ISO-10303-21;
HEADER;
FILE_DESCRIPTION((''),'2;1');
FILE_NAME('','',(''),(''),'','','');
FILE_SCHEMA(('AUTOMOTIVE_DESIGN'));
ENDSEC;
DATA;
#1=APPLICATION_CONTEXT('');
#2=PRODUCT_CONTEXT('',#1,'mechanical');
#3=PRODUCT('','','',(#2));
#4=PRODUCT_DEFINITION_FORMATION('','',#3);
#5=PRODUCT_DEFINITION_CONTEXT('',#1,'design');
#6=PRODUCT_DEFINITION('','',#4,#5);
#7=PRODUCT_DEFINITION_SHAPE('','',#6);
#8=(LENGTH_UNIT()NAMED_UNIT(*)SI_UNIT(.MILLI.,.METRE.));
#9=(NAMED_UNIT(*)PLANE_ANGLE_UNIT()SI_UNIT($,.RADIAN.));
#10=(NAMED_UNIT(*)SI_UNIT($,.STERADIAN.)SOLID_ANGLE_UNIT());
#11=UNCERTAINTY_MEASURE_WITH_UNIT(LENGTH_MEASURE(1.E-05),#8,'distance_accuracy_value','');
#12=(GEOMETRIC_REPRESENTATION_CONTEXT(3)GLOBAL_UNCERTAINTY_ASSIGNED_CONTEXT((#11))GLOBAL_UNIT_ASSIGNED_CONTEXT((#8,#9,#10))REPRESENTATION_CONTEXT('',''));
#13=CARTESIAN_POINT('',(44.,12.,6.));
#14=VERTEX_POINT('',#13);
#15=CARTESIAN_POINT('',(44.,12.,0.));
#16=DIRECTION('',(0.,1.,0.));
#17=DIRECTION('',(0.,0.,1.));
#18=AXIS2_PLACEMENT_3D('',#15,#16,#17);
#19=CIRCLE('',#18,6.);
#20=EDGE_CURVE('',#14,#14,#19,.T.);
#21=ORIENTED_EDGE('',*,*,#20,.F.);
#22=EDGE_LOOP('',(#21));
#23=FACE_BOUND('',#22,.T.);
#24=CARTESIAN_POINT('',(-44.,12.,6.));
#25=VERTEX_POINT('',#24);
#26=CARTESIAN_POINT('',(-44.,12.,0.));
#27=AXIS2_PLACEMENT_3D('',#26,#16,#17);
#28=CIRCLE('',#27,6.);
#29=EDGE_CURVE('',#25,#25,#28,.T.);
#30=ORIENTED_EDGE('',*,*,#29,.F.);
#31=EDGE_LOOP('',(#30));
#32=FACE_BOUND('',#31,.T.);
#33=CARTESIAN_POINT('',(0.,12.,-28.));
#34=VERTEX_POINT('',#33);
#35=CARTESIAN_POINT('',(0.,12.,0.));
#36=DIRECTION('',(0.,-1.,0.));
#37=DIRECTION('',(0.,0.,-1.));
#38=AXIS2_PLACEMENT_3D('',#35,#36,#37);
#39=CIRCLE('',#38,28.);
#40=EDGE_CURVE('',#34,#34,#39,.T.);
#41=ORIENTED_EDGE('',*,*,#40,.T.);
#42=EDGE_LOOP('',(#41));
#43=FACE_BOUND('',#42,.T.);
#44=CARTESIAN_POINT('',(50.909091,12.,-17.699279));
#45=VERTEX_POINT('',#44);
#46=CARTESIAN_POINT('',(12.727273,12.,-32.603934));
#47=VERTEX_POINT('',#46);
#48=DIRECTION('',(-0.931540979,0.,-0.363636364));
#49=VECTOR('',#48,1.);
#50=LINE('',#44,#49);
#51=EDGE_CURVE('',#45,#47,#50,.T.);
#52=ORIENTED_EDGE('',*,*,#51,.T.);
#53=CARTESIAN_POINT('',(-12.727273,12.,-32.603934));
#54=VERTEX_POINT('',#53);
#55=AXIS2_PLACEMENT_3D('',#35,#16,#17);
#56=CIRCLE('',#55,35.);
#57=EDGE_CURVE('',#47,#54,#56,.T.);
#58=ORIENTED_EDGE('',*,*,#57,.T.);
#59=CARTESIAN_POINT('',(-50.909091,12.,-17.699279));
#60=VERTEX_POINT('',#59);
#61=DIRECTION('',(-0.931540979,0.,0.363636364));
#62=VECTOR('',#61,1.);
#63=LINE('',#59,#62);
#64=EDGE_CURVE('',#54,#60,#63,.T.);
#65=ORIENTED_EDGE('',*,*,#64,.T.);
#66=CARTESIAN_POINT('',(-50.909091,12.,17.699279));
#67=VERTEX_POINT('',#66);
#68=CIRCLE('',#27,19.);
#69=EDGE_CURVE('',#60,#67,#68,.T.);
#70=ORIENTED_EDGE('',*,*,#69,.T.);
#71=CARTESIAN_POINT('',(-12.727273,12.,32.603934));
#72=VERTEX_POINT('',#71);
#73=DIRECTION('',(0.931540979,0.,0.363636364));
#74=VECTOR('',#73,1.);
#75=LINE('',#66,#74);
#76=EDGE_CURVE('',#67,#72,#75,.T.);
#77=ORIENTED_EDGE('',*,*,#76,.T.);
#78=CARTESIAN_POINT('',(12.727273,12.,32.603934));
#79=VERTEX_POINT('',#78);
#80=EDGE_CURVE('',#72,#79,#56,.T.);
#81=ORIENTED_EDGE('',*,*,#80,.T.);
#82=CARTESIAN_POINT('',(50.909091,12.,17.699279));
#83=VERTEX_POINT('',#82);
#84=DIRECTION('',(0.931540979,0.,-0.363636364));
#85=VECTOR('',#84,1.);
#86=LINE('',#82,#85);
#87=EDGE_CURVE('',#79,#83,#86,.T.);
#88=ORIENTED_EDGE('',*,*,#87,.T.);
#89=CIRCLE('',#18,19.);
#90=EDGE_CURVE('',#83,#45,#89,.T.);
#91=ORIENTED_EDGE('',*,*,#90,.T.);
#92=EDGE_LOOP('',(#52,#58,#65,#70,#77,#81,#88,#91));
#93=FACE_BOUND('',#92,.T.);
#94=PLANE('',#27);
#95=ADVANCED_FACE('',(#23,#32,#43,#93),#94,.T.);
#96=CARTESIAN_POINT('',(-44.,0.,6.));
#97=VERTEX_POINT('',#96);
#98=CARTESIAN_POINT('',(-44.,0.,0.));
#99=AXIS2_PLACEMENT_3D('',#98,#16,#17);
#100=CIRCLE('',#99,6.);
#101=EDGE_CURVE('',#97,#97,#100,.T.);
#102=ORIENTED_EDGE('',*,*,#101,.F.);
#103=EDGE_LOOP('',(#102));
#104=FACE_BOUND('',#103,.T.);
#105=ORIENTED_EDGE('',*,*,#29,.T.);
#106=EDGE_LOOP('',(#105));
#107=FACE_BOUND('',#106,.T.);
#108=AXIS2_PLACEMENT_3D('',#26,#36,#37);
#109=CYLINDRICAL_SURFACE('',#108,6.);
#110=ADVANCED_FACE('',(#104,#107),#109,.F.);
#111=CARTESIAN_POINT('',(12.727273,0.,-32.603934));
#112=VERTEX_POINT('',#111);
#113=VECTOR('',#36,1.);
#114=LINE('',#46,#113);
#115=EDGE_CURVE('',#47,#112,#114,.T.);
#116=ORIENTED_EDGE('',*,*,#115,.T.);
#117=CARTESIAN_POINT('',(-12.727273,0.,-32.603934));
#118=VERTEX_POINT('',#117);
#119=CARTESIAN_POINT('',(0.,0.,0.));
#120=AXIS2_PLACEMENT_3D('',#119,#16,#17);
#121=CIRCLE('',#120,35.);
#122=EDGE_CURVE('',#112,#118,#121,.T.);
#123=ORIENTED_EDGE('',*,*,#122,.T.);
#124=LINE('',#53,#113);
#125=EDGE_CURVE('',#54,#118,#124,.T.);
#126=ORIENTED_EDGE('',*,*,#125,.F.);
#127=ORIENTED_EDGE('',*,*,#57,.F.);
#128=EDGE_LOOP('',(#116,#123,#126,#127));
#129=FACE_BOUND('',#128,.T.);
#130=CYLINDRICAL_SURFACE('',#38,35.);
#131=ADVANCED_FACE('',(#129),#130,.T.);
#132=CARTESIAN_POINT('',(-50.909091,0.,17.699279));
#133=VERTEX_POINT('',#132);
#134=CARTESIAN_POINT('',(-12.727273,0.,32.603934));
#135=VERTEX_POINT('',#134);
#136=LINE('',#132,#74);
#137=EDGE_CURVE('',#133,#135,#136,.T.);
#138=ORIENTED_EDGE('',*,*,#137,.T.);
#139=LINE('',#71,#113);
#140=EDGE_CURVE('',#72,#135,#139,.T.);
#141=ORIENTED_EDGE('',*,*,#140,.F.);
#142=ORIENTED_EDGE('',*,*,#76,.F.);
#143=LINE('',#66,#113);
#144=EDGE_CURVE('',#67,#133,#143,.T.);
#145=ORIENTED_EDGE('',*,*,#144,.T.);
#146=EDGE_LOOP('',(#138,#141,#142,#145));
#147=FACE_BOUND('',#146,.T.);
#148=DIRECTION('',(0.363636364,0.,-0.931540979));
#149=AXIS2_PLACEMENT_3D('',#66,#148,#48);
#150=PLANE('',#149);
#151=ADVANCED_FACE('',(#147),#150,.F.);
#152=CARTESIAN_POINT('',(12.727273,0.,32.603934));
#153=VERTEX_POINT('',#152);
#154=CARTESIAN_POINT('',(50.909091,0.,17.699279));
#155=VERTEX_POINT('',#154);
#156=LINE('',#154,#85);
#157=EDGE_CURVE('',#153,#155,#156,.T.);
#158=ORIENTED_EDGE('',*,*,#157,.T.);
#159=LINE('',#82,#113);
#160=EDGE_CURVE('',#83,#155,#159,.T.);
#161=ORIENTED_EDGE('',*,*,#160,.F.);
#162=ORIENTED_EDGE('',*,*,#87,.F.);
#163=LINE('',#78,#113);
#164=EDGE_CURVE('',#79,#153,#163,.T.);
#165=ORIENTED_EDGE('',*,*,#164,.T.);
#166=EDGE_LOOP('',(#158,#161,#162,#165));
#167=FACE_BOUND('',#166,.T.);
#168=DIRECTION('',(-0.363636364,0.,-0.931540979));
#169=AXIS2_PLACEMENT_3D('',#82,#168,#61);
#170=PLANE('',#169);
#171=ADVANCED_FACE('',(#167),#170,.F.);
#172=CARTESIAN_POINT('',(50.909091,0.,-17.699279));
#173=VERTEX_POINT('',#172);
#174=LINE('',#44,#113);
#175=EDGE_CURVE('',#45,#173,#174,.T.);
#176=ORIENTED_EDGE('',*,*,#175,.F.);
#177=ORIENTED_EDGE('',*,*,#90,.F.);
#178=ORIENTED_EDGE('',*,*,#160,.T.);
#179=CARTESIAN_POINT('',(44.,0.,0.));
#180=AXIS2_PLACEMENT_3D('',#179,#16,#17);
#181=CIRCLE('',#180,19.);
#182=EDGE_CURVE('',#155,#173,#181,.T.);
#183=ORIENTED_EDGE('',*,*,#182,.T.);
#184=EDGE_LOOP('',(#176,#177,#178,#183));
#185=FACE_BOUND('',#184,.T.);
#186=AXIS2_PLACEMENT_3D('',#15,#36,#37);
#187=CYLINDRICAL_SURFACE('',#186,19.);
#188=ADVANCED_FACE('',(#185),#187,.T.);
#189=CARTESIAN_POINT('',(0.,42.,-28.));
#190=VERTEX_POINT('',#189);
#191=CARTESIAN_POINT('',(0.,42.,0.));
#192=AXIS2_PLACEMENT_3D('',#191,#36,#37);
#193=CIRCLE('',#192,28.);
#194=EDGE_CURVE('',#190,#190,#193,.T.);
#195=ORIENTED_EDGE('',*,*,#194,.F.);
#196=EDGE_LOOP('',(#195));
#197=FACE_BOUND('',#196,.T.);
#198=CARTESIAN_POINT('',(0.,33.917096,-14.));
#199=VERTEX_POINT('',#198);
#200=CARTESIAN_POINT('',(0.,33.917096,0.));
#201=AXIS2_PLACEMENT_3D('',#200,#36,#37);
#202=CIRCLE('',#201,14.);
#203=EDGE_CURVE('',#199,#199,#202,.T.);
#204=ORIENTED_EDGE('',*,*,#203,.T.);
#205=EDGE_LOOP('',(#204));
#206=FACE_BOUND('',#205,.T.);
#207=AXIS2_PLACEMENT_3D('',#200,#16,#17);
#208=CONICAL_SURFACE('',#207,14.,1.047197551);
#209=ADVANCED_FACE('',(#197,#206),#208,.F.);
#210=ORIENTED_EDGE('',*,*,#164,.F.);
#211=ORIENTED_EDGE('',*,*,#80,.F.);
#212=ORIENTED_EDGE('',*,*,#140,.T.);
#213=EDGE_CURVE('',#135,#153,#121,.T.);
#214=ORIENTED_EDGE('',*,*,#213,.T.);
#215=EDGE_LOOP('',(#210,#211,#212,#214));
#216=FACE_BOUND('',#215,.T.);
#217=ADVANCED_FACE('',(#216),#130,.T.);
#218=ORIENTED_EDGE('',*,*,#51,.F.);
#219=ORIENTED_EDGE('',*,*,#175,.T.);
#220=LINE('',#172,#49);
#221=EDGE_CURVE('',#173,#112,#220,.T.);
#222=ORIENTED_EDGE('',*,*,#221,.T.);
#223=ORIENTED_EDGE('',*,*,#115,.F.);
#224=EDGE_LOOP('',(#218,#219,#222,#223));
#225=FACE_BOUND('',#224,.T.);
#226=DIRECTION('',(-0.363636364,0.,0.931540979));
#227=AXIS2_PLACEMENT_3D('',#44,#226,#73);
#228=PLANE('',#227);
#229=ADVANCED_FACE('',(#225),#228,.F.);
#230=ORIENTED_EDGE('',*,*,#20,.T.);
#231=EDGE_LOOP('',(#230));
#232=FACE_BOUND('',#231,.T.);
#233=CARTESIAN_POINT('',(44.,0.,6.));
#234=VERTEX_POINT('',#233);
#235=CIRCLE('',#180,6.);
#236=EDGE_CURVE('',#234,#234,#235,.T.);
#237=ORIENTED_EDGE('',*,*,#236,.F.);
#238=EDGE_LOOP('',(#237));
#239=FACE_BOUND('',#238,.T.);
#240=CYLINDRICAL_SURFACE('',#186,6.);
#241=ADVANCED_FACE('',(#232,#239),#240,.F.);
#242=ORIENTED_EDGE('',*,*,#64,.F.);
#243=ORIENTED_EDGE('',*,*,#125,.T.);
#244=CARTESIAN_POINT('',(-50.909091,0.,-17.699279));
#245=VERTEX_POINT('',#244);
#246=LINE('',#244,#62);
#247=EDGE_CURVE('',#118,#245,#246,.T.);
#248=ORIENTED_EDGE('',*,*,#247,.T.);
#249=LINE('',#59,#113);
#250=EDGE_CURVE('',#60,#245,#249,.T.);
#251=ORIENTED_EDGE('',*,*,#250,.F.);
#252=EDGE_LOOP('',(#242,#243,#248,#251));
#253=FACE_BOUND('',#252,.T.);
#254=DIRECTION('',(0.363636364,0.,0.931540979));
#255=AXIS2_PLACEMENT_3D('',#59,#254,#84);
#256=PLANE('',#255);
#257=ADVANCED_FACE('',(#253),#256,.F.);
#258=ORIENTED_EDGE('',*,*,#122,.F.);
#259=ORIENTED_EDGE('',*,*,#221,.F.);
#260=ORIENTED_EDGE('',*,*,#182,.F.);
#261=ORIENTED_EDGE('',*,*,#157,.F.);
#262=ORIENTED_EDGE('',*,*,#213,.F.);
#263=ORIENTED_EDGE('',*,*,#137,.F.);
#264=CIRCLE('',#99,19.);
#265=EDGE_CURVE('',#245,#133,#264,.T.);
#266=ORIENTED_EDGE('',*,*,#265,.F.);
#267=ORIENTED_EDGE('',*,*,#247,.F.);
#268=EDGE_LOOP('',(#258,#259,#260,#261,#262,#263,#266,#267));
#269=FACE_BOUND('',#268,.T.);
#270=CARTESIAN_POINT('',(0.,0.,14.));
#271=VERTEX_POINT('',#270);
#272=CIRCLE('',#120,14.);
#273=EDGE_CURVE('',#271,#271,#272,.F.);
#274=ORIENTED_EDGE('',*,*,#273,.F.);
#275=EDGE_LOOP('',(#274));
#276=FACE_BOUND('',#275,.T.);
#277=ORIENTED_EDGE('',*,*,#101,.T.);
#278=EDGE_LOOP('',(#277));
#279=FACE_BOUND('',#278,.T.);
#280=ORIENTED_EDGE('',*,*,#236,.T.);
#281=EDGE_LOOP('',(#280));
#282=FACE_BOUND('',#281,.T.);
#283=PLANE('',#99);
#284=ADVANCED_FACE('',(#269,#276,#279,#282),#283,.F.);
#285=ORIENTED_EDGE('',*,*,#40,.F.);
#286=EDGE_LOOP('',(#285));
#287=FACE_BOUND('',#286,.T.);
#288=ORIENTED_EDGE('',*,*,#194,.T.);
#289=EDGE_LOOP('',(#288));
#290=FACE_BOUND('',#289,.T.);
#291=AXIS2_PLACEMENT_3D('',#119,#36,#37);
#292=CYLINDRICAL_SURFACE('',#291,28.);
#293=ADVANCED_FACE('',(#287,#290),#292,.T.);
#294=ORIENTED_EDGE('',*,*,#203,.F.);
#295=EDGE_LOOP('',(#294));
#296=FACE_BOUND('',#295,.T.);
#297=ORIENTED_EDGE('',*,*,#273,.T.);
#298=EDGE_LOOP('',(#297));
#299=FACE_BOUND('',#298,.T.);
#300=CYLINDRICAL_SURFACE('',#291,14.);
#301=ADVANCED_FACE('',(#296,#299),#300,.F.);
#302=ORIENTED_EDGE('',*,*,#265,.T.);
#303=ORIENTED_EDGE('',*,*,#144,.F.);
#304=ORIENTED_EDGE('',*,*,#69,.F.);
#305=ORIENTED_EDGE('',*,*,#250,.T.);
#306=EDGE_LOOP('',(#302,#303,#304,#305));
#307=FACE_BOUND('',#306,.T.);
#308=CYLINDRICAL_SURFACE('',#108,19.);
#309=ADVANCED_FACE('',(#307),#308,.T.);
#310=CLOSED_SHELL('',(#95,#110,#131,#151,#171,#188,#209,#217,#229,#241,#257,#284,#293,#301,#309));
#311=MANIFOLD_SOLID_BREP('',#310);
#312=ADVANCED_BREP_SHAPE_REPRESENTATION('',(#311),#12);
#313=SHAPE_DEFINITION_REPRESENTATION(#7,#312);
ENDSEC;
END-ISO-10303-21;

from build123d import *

# Parameters (mm, degrees)
SKETCH1_R           = 6
BOSS_EXTRUDE1_DEPTH = 12
CUT_EXTRUDE1_REACH  = 80.064
SKETCH3_R           = 14


with BuildPart() as part:
    # Sketch1 → Boss-Extrude1 (new body)
    with BuildSketch(Plane(origin=(0, 0, 0), x_dir=(1, 0, 0), z_dir=(0, 1, 0))):
        with BuildLine():
            Line((-50.909090909, 17.699278596), (-12.727272727, 32.603934255))
            ThreePointArc((-12.727272727, 32.603934255), (0, 35), (12.727272727, 32.603934255))
            Line((12.727272727, 32.603934255), (50.909090909, 17.699278596))
            ThreePointArc((50.909090909, 17.699278596), (63, 0), (50.909090909, -17.699278596))
            Line((50.909090909, -17.699278596), (12.727272727, -32.603934255))
            ThreePointArc((12.727272727, -32.603934255), (0, -35), (-12.727272727, -32.603934255))
            Line((-12.727272727, -32.603934255), (-50.909090909, -17.699278596))
            ThreePointArc((-50.909090909, -17.699278596), (-63, 0), (-50.909090909, 17.699278596))
        make_face()
        with Locations(Location((-44, 0, 0), (0, 0, 270))):
            Circle(SKETCH1_R, mode=Mode.SUBTRACT)
        with Locations(Location((44, 0, 0), (0, 0, 270))):
            Circle(SKETCH1_R, mode=Mode.SUBTRACT)
    extrude(amount=BOSS_EXTRUDE1_DEPTH)

    # Sketch2 → Revolve1 (revolve)
    with BuildSketch(Plane.XY, mode=Mode.PRIVATE) as revolve1_sk:
        Polygon((-14, 33.917096231), (-14, 12), (-28, 12), (-28, 42), align=None)
    revolve(revolve1_sk.sketch.rotate(Axis((0, 0, 0), (0, 1, 0)), 270), axis=Axis((0, 0, 0), (0, 1, 0)))

    # Sketch3 → Cut-Extrude1 (cut, up to next)
    with BuildSketch(Plane(origin=(0, 12, 0), x_dir=(1, 0, 0), z_dir=(0, 1, 0)), mode=Mode.PRIVATE) as cut_extrude1_sk1:
        with Locations(Location((0, 0, 0), (0, 0, 90))):
            Circle(SKETCH3_R)
    cut_extrude1_tool1 = extrude(cut_extrude1_sk1.sketch, amount=-CUT_EXTRUDE1_REACH, mode=Mode.PRIVATE) & part.part
    add(cut_extrude1_tool1.solids().sort_by_distance((0, 12, 0))[0], mode=Mode.SUBTRACT)


solid = part.part
